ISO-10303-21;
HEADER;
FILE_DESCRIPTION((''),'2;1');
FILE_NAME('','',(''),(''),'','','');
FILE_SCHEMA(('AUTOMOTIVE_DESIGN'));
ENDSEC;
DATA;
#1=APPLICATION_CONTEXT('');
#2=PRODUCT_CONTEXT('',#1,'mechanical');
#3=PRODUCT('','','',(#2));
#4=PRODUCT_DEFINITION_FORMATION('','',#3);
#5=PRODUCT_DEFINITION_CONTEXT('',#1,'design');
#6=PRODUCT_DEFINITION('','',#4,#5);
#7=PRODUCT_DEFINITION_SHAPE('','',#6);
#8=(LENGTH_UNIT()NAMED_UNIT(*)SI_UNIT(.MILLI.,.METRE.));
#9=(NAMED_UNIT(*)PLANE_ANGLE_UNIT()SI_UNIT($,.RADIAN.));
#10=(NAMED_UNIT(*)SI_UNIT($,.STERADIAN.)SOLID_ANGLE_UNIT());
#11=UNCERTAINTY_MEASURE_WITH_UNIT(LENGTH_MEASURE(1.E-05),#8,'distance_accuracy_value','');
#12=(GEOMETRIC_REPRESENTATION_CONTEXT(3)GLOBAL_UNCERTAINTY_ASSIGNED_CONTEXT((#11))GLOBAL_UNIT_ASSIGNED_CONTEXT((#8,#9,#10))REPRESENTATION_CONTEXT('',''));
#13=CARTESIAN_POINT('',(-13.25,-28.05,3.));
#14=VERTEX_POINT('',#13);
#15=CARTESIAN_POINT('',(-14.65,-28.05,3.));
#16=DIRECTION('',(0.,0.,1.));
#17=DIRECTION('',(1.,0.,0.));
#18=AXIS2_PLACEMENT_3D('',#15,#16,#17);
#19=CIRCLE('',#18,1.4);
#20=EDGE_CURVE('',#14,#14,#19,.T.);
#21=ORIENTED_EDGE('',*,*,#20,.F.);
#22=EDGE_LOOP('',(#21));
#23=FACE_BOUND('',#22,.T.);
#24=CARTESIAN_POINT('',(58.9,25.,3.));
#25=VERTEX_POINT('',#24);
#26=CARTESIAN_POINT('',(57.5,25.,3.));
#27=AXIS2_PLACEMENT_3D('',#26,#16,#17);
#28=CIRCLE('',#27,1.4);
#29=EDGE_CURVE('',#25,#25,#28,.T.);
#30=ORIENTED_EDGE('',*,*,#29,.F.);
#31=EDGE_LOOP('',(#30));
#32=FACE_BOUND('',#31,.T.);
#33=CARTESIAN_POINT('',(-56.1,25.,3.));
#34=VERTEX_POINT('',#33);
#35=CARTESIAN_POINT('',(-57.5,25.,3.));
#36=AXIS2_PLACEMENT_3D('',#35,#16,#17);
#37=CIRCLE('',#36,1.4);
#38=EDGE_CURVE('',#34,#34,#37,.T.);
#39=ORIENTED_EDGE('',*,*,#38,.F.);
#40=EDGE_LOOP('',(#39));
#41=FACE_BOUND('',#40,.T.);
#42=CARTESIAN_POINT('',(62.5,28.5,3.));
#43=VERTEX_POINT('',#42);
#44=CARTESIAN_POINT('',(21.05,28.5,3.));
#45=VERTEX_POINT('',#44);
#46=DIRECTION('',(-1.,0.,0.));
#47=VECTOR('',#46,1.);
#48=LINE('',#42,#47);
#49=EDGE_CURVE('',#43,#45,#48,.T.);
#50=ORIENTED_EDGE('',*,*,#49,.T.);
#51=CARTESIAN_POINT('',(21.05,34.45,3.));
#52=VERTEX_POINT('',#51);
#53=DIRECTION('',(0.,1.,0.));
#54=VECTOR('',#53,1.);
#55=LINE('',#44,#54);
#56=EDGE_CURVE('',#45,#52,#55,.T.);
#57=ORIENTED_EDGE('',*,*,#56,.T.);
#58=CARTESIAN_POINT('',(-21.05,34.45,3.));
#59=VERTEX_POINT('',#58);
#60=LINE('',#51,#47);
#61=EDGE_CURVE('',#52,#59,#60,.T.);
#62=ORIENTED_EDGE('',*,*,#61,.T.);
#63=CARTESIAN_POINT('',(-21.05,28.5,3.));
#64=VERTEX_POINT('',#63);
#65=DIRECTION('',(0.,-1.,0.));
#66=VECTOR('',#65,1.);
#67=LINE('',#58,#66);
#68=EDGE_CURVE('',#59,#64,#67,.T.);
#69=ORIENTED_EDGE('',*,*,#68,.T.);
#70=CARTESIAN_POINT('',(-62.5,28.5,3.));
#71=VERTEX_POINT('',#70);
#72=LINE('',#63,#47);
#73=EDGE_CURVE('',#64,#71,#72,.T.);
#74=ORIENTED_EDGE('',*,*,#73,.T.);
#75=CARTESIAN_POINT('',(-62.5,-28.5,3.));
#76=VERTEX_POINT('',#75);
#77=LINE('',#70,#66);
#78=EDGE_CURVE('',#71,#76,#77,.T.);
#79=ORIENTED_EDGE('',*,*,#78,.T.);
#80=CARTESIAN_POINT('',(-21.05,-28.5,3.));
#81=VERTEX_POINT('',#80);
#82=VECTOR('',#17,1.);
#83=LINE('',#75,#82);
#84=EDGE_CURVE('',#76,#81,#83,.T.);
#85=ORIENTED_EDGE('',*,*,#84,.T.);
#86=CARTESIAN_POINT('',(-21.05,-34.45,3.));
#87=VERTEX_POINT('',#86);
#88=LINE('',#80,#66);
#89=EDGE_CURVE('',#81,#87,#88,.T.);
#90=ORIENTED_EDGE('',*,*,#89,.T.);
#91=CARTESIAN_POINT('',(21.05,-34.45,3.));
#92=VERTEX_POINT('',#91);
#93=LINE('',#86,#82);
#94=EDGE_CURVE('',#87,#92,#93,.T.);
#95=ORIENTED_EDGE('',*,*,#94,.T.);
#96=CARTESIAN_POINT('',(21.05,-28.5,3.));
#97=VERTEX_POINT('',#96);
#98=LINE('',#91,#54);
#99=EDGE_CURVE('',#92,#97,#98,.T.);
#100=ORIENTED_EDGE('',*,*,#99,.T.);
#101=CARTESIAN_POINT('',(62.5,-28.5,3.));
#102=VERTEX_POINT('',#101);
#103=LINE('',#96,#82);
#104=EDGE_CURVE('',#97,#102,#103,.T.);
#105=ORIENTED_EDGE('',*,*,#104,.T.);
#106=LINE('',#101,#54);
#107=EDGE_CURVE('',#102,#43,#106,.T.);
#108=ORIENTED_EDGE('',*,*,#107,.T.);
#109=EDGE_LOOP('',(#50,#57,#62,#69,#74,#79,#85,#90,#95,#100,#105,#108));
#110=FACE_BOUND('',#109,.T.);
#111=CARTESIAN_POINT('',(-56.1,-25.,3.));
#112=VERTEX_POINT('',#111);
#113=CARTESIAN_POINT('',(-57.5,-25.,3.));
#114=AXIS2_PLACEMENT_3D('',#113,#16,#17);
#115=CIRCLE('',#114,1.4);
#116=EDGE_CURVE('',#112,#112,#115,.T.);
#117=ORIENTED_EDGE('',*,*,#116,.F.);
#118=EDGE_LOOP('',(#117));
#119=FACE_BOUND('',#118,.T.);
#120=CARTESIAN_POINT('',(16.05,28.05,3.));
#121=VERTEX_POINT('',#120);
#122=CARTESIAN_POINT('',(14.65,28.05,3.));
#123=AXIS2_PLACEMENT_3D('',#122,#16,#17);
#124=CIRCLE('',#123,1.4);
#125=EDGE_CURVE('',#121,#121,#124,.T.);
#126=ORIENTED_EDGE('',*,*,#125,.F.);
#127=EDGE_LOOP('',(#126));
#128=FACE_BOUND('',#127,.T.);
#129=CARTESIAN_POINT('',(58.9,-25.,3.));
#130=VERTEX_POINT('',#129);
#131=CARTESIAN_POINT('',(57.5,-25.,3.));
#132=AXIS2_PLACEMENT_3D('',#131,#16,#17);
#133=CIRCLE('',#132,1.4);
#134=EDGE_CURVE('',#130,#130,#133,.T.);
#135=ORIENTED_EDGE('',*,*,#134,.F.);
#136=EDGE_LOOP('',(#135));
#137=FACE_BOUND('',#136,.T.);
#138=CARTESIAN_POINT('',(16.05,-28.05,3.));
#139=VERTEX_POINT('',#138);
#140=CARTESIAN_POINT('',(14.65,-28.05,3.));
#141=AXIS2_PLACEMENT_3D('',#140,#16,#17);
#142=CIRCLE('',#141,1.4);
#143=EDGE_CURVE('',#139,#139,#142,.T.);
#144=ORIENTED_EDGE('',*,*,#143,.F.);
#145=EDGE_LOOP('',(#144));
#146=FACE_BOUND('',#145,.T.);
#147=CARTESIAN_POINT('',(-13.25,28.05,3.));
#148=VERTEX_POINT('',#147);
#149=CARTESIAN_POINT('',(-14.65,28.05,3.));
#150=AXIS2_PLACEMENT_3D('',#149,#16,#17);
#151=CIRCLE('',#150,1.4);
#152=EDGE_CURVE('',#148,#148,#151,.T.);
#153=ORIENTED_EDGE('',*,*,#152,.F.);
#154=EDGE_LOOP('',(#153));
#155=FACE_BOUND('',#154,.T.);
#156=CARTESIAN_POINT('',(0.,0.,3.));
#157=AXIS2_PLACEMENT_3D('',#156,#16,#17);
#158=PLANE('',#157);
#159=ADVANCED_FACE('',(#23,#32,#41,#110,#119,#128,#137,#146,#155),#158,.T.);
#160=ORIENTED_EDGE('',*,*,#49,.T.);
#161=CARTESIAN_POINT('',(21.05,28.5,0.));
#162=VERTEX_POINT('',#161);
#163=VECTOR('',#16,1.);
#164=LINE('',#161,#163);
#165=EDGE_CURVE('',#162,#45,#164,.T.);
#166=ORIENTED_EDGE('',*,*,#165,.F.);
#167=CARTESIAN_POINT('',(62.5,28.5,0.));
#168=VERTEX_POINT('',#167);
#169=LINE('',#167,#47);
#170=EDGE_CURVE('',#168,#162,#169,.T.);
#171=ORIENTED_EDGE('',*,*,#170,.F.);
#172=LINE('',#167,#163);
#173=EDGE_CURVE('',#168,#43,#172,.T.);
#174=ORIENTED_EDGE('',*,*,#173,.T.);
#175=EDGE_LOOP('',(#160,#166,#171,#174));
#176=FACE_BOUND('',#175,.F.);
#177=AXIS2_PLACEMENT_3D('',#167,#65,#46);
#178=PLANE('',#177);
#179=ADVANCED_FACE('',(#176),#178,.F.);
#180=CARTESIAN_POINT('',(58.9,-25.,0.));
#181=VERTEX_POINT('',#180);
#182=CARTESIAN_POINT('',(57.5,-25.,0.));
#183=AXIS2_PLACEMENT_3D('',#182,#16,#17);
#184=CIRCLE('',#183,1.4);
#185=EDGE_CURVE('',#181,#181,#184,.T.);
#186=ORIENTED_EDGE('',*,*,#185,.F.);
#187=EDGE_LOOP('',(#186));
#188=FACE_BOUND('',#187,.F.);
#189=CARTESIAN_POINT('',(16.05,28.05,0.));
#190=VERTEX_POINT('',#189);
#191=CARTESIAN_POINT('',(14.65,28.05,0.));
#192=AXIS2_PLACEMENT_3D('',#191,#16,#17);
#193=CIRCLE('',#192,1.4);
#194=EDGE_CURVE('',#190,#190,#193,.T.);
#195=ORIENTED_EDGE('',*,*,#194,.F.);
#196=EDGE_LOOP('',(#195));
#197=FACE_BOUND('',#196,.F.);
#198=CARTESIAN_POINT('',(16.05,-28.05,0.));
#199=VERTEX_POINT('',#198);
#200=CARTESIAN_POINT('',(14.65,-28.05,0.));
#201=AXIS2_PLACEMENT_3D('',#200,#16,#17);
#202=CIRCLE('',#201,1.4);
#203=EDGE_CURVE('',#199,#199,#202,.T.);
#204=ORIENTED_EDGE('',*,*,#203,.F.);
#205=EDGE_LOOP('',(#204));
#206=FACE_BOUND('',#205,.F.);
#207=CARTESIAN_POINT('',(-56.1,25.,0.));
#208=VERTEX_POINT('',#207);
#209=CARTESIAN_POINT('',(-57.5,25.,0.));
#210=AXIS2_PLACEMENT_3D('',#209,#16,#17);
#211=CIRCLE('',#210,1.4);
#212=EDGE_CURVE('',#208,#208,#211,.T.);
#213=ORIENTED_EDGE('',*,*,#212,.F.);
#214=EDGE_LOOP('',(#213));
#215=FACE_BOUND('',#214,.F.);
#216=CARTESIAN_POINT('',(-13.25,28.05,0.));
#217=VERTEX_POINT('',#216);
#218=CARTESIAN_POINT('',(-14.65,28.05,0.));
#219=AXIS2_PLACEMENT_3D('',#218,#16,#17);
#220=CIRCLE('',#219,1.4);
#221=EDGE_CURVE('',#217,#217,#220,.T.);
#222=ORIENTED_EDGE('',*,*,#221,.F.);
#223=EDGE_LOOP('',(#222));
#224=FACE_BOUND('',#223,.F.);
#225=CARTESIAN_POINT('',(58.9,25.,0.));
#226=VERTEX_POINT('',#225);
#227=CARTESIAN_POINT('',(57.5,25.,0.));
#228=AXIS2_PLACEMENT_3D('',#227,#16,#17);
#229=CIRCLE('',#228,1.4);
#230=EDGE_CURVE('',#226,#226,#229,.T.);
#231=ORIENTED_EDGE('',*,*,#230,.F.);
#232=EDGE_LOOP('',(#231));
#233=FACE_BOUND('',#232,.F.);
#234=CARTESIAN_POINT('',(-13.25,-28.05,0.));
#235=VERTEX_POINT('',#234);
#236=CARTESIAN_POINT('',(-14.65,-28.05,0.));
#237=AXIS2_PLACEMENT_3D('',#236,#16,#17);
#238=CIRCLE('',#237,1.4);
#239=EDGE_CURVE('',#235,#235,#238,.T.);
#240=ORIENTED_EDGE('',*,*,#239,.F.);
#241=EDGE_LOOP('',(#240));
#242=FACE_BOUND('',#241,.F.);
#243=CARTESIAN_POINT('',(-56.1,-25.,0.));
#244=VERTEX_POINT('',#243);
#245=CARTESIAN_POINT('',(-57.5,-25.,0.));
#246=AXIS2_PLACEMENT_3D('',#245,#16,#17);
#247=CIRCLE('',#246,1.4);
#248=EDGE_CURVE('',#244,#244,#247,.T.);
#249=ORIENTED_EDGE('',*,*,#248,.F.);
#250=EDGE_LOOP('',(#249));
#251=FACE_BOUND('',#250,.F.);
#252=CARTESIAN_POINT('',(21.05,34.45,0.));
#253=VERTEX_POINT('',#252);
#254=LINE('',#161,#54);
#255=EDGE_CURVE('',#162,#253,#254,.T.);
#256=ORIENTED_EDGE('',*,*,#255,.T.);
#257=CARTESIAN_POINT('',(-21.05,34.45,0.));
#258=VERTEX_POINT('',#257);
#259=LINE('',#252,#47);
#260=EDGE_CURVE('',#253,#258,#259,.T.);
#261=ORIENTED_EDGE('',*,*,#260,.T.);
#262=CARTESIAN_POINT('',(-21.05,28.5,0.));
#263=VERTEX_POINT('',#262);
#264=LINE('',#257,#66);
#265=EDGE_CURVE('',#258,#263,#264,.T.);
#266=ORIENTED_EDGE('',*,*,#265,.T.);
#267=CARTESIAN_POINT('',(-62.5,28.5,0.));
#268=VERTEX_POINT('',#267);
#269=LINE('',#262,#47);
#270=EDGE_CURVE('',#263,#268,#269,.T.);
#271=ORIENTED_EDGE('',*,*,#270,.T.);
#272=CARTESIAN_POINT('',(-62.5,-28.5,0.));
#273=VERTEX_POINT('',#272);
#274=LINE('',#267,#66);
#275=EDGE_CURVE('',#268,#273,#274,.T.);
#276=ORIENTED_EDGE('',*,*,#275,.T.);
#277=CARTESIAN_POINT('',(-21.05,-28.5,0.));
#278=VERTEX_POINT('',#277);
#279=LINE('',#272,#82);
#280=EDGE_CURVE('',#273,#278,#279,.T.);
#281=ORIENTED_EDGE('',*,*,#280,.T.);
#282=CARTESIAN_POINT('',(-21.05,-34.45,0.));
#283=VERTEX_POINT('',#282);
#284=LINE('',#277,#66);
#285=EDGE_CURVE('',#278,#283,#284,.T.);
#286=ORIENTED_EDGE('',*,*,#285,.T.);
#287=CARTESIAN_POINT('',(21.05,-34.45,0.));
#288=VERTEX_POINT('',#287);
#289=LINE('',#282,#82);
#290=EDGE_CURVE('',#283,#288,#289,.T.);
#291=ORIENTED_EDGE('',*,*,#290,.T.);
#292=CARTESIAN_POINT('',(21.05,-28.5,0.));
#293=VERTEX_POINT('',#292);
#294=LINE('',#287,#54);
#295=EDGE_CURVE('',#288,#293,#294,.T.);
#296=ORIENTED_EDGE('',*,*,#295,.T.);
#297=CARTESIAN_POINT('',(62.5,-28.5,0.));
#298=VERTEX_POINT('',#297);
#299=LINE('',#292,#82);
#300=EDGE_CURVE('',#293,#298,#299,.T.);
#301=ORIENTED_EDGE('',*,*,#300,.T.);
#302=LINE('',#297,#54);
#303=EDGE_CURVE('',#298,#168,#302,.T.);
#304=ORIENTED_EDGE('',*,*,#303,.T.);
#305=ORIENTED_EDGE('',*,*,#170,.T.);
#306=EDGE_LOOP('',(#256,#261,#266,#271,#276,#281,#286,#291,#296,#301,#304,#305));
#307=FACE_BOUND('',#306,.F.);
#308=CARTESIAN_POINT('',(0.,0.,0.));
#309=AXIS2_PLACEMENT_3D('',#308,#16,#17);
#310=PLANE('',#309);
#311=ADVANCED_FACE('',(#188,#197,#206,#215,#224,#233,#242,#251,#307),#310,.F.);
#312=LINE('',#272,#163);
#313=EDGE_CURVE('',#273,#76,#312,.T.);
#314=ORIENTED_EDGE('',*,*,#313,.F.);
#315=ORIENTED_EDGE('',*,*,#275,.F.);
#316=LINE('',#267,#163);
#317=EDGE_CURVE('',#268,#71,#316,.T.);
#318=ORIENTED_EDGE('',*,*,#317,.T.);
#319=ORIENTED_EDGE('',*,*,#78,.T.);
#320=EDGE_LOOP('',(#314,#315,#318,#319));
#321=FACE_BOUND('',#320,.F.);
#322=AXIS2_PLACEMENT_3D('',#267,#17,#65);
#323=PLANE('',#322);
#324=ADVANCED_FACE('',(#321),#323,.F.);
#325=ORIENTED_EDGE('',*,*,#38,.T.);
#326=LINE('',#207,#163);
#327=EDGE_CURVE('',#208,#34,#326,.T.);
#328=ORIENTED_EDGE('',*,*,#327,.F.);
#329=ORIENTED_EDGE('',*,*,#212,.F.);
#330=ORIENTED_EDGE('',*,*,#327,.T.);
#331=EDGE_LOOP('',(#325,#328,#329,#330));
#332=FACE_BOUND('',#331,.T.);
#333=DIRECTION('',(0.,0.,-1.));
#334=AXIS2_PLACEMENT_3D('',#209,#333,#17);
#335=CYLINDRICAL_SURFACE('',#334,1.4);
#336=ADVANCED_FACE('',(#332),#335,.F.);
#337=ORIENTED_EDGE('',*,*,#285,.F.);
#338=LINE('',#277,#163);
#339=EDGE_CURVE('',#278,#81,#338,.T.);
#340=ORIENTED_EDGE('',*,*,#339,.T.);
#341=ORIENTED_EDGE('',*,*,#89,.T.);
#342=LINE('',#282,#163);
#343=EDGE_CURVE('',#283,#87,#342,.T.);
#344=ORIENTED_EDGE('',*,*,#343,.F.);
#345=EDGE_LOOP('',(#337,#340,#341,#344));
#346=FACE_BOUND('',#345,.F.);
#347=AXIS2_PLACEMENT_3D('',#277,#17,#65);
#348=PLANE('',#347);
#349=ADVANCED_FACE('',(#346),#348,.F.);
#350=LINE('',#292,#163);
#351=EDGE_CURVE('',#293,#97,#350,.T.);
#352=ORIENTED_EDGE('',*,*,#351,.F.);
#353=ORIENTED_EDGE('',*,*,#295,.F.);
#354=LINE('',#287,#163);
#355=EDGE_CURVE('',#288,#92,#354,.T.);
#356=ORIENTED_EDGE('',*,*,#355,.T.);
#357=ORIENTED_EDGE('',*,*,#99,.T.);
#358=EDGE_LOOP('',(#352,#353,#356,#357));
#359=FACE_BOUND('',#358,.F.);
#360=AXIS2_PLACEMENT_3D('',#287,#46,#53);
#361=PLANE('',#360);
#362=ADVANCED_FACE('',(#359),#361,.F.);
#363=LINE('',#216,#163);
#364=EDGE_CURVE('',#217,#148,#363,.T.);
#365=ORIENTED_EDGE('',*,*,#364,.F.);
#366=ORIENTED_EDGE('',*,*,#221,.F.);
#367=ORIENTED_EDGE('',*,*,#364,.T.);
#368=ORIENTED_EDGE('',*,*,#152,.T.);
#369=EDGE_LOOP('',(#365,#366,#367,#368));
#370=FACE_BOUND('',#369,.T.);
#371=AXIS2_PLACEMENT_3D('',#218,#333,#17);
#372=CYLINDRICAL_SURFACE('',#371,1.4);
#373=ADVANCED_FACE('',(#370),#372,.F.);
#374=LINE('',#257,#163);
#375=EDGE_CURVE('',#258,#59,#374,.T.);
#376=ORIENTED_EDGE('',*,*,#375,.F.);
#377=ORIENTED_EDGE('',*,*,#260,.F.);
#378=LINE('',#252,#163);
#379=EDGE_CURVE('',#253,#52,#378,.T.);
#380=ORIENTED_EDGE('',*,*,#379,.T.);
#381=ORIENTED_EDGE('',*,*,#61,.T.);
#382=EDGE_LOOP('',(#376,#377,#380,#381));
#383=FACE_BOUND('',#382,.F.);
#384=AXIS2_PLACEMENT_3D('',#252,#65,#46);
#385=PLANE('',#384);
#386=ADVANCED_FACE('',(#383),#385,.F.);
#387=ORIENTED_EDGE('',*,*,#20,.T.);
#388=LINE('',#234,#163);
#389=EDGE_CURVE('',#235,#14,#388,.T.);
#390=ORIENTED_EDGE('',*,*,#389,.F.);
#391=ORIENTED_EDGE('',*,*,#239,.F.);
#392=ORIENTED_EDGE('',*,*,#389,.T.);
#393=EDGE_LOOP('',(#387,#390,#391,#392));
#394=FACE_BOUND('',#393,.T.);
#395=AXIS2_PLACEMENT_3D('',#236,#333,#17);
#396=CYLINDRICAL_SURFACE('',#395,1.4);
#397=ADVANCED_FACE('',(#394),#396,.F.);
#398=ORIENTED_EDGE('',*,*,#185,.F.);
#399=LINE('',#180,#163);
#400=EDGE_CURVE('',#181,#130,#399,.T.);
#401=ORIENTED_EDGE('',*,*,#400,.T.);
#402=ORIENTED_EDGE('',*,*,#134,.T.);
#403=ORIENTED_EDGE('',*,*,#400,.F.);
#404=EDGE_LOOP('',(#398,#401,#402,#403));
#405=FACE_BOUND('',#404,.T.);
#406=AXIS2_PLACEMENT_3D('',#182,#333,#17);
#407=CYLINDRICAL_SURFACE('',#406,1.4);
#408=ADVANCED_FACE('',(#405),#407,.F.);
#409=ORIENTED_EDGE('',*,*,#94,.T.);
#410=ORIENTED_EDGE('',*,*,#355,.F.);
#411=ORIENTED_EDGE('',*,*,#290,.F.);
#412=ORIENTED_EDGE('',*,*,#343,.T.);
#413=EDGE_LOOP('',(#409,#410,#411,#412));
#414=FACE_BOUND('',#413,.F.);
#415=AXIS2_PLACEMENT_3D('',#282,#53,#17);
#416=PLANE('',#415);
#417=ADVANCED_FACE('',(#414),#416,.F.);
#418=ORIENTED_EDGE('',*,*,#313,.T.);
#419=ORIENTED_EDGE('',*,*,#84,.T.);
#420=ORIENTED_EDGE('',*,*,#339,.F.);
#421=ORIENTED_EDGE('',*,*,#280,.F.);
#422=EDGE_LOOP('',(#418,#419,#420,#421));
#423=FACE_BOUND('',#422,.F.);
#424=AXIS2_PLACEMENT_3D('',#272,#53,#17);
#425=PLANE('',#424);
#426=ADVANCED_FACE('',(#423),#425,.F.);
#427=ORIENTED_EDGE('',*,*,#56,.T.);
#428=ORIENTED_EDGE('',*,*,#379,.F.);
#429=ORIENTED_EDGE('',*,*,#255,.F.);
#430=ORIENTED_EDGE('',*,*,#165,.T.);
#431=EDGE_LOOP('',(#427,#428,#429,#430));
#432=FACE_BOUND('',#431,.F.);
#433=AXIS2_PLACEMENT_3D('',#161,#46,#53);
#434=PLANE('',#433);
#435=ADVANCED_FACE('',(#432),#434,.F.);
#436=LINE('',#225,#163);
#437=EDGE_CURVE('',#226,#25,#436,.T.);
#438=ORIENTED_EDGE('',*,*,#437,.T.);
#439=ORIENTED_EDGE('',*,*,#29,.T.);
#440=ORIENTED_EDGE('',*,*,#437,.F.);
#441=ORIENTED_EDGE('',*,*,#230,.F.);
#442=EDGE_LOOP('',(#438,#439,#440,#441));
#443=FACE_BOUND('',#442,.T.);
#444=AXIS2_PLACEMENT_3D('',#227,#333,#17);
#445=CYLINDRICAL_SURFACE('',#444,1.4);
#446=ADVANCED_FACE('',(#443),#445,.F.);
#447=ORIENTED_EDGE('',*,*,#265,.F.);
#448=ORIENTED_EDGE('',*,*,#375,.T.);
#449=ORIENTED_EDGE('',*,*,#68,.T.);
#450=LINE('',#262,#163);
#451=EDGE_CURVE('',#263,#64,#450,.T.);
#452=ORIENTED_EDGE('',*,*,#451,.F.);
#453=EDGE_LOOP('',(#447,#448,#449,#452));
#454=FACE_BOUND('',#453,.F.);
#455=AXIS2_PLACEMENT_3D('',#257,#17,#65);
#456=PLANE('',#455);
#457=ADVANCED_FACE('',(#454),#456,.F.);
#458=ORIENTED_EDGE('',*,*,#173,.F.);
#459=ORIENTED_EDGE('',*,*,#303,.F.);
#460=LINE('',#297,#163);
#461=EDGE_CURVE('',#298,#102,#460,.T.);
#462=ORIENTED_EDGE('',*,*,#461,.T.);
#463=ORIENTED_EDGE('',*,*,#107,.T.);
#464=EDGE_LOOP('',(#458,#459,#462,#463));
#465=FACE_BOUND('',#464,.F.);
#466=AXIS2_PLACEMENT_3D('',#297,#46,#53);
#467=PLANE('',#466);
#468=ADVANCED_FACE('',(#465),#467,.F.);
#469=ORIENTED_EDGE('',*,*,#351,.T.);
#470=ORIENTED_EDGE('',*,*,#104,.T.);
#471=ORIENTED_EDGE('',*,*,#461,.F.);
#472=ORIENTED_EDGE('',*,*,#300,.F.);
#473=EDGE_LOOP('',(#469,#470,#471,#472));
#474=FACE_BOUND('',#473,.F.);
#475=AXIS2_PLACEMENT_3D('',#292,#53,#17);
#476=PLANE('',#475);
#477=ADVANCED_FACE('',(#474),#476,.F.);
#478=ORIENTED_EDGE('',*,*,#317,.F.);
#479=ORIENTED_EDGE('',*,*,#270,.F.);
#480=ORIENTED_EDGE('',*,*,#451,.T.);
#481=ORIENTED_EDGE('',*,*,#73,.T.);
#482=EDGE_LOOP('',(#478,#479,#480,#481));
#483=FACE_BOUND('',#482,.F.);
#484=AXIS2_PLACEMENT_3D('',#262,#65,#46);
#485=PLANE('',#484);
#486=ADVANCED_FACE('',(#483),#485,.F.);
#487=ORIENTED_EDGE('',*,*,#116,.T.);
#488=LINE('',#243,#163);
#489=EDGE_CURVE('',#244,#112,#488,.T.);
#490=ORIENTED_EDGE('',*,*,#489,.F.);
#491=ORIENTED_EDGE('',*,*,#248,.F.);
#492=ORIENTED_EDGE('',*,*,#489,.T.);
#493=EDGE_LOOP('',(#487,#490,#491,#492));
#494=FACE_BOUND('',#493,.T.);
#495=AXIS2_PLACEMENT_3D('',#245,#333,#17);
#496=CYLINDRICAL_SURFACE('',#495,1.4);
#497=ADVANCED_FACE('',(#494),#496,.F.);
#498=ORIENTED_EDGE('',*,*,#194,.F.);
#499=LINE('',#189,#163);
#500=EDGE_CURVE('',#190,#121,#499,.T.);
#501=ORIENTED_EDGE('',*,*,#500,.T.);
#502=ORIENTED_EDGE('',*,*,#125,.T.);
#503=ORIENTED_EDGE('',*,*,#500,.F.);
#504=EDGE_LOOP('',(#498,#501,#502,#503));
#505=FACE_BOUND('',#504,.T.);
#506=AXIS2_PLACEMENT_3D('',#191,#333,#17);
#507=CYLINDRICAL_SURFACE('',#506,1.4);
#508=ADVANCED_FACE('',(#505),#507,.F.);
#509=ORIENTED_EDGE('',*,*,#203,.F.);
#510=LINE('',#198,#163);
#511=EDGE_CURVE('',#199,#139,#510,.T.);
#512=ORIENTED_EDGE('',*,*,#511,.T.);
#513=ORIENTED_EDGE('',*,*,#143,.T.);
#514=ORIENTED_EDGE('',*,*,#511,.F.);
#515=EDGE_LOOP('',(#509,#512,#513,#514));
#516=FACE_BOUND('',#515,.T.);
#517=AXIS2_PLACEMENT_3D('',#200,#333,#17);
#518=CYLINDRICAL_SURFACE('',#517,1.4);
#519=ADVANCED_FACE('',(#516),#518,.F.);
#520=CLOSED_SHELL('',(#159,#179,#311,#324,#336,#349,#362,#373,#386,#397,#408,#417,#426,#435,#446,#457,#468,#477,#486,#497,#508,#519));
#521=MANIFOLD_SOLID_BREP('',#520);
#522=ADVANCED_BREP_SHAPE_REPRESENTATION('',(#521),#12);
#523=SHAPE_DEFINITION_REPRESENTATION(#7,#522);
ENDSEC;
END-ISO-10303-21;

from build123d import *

# Parameters (mm, degrees)
F0_R     = 1.4
F1_DEPTH = 3


with BuildPart() as f1:
    # F0 (on Top) → F1 (new body)
    with BuildSketch(Plane.XY):
        Polygon((-21.05, 28.5), (-62.5, 28.5), (-62.5, -28.5), (-21.05, -28.5), (-21.05, -34.45), (21.05, -34.45), (21.05, -28.5), (62.5, -28.5), (62.5, 28.5), (21.05, 28.5), (21.05, 34.45), (-21.05, 34.45), align=None)
        with Locations((-57.5, -25)):
            Circle(F0_R, mode=Mode.SUBTRACT)
        with Locations((-14.65, -28.05)):
            Circle(F0_R, mode=Mode.SUBTRACT)
        with Locations((14.65, -28.05)):
            Circle(F0_R, mode=Mode.SUBTRACT)
        with Locations((57.5, -25)):
            Circle(F0_R, mode=Mode.SUBTRACT)
        with Locations((-57.5, 25)):
            Circle(F0_R, mode=Mode.SUBTRACT)
        with Locations((-14.65, 28.05)):
            Circle(F0_R, mode=Mode.SUBTRACT)
        with Locations((14.65, 28.05)):
            Circle(F0_R, mode=Mode.SUBTRACT)
        with Locations((57.5, 25)):
            Circle(F0_R, mode=Mode.SUBTRACT)
    extrude(amount=F1_DEPTH)


solid = f1.part
